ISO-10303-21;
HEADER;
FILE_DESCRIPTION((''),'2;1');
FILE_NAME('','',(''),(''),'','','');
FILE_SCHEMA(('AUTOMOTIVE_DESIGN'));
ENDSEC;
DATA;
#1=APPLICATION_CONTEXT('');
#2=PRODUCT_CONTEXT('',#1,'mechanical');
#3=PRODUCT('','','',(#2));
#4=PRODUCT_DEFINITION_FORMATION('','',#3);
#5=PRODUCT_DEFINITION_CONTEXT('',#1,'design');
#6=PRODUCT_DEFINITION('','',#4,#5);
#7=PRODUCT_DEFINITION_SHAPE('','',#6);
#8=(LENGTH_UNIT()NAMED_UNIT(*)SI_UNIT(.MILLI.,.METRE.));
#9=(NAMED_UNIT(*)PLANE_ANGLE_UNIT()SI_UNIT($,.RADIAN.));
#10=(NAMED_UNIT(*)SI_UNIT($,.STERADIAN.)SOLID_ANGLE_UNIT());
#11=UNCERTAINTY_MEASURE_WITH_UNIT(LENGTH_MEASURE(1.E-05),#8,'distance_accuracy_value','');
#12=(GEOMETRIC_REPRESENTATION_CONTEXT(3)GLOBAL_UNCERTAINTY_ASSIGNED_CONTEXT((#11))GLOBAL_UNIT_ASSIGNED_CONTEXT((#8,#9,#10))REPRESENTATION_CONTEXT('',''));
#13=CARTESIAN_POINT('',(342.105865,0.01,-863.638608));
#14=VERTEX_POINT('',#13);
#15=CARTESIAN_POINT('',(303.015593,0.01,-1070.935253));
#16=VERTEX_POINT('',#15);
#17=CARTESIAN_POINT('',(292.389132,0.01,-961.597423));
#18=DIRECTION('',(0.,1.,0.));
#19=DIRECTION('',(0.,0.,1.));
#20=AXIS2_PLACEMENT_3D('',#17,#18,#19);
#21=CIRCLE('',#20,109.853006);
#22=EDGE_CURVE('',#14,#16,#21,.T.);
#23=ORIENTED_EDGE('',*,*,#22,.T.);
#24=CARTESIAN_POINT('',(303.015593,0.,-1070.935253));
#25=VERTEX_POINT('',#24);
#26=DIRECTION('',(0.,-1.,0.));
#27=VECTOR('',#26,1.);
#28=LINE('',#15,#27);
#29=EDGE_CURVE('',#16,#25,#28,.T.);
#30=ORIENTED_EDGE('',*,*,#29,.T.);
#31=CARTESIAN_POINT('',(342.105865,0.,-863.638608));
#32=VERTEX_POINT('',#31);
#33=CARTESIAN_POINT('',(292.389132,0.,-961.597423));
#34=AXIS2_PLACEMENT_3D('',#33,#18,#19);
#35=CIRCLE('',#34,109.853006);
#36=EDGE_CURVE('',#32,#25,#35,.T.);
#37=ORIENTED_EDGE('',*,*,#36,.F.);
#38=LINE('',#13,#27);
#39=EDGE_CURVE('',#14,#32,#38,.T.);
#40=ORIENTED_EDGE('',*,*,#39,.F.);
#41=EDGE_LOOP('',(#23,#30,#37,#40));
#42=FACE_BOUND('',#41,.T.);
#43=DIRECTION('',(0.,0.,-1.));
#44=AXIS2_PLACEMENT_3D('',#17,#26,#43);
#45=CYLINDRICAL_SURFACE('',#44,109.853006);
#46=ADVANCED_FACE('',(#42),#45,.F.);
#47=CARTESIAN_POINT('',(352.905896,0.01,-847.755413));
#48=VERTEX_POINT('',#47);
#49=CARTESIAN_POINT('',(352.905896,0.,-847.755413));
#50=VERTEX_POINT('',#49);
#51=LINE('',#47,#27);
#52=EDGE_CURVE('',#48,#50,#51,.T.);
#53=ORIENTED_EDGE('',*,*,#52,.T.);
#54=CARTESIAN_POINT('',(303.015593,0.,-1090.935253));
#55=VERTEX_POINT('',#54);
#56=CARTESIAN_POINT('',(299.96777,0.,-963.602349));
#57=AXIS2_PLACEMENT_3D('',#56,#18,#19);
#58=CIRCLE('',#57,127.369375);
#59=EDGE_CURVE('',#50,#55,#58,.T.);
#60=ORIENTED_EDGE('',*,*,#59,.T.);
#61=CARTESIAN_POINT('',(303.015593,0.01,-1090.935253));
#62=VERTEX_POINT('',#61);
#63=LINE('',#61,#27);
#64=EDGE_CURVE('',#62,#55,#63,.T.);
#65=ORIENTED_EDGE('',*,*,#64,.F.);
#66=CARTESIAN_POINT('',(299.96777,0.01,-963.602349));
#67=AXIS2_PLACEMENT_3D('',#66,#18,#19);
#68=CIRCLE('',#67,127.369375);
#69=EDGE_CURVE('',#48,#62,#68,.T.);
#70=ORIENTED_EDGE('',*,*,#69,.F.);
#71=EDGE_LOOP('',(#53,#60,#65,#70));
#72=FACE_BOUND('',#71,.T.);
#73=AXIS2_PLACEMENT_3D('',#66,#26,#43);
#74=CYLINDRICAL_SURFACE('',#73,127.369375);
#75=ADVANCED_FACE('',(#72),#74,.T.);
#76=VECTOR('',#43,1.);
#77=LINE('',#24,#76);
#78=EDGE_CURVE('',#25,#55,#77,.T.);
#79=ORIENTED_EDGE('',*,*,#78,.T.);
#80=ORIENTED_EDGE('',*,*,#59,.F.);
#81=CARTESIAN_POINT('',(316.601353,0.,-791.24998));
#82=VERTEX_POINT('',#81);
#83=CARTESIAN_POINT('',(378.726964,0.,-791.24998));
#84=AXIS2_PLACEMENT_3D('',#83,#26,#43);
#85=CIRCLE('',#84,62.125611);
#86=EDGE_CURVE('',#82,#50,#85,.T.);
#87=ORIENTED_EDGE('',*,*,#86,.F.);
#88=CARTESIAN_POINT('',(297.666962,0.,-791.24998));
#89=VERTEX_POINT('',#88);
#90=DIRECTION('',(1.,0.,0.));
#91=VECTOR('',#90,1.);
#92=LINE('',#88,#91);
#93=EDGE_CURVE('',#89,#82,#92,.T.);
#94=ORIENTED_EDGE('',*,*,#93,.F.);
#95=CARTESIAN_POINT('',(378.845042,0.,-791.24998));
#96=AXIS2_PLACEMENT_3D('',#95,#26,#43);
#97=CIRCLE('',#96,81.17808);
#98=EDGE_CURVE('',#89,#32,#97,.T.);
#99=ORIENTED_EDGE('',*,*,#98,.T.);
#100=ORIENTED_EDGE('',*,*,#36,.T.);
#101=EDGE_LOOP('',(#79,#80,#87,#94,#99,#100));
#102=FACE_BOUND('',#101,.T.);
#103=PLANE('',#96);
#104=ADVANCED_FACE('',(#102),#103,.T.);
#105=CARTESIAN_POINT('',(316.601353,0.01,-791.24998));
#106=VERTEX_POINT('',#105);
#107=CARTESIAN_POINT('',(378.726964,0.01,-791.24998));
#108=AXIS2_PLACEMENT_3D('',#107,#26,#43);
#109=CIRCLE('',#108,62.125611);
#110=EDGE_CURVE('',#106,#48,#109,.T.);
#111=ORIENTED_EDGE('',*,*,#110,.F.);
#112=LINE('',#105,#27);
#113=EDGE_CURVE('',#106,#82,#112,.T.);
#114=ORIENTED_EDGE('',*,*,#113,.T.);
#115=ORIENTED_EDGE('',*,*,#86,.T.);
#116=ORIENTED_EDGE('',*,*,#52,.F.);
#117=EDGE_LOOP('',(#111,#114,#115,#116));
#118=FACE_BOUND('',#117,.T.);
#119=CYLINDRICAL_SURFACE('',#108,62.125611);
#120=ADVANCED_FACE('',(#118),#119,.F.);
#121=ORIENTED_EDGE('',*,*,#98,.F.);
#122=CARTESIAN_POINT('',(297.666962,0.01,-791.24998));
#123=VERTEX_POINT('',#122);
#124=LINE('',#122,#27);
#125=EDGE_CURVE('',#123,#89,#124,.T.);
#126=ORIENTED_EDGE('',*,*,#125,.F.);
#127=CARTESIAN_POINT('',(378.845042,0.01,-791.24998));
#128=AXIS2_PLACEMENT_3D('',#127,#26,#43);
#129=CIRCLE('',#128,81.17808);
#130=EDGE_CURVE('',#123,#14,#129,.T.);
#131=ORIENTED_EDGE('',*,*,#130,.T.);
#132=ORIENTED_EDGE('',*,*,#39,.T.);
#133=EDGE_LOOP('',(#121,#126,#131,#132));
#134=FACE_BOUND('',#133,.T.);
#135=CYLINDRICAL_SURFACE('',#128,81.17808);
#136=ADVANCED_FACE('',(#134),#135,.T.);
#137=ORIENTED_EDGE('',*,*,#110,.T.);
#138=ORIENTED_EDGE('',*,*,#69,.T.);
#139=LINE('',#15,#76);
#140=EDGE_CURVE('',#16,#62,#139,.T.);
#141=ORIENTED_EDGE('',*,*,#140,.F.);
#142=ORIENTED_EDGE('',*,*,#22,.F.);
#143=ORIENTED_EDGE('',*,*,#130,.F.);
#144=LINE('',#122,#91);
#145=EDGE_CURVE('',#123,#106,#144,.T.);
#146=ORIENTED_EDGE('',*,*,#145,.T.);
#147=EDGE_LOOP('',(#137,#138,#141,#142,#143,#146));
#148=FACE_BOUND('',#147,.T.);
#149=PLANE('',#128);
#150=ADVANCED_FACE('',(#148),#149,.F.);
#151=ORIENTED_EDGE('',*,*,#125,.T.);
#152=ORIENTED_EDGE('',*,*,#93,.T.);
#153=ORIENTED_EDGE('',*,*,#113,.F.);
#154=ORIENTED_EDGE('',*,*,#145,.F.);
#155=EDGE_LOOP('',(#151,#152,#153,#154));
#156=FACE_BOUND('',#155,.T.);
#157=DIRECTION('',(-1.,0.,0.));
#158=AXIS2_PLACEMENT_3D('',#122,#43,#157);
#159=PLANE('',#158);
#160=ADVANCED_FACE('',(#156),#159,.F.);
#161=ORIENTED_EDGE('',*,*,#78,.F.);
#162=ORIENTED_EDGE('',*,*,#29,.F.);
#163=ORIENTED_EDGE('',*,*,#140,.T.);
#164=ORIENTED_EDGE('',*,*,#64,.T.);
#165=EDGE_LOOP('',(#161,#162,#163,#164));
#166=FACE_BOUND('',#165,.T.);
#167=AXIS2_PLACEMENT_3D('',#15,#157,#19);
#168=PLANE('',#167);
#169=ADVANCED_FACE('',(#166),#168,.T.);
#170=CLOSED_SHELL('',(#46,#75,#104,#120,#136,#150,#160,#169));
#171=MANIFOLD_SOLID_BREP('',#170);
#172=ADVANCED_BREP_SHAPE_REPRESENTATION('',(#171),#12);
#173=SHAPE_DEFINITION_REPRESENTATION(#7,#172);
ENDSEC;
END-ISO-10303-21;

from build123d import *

# Parameters (mm, degrees)
RESSALTO_EXTRUS_O10_DEPTH = 0.01


with BuildPart() as part:
    # Esboço1 → Ressalto-extrusão10 (new body)
    with BuildSketch(Plane(origin=(0, 0, 0), x_dir=(1, 0, 0), z_dir=(0, 1, 0))):
        with BuildLine():
            Line((297.666961951, 791.249979553), (316.601353193, 791.249979553))
            ThreePointArc((316.601353193, 791.249979553), (326.459664642, 824.831536178), (352.905895622, 847.755412747))
            ThreePointArc((352.905895622, 847.755412747), (424.73842096, 989.200052783), (303.015592938, 1090.935253327))
            Line((303.015592938, 1090.935253327), (303.015592938, 1070.935253327))
            ThreePointArc((303.015592938, 1070.935253327), (400.339583638, 981.95381865), (342.105865492, 863.638608496))
            ThreePointArc((342.105865492, 863.638608496), (309.663048344, 833.720350837), (297.666961951, 791.249979553))
        make_face()
    extrude(amount=RESSALTO_EXTRUS_O10_DEPTH)


solid = part.part
